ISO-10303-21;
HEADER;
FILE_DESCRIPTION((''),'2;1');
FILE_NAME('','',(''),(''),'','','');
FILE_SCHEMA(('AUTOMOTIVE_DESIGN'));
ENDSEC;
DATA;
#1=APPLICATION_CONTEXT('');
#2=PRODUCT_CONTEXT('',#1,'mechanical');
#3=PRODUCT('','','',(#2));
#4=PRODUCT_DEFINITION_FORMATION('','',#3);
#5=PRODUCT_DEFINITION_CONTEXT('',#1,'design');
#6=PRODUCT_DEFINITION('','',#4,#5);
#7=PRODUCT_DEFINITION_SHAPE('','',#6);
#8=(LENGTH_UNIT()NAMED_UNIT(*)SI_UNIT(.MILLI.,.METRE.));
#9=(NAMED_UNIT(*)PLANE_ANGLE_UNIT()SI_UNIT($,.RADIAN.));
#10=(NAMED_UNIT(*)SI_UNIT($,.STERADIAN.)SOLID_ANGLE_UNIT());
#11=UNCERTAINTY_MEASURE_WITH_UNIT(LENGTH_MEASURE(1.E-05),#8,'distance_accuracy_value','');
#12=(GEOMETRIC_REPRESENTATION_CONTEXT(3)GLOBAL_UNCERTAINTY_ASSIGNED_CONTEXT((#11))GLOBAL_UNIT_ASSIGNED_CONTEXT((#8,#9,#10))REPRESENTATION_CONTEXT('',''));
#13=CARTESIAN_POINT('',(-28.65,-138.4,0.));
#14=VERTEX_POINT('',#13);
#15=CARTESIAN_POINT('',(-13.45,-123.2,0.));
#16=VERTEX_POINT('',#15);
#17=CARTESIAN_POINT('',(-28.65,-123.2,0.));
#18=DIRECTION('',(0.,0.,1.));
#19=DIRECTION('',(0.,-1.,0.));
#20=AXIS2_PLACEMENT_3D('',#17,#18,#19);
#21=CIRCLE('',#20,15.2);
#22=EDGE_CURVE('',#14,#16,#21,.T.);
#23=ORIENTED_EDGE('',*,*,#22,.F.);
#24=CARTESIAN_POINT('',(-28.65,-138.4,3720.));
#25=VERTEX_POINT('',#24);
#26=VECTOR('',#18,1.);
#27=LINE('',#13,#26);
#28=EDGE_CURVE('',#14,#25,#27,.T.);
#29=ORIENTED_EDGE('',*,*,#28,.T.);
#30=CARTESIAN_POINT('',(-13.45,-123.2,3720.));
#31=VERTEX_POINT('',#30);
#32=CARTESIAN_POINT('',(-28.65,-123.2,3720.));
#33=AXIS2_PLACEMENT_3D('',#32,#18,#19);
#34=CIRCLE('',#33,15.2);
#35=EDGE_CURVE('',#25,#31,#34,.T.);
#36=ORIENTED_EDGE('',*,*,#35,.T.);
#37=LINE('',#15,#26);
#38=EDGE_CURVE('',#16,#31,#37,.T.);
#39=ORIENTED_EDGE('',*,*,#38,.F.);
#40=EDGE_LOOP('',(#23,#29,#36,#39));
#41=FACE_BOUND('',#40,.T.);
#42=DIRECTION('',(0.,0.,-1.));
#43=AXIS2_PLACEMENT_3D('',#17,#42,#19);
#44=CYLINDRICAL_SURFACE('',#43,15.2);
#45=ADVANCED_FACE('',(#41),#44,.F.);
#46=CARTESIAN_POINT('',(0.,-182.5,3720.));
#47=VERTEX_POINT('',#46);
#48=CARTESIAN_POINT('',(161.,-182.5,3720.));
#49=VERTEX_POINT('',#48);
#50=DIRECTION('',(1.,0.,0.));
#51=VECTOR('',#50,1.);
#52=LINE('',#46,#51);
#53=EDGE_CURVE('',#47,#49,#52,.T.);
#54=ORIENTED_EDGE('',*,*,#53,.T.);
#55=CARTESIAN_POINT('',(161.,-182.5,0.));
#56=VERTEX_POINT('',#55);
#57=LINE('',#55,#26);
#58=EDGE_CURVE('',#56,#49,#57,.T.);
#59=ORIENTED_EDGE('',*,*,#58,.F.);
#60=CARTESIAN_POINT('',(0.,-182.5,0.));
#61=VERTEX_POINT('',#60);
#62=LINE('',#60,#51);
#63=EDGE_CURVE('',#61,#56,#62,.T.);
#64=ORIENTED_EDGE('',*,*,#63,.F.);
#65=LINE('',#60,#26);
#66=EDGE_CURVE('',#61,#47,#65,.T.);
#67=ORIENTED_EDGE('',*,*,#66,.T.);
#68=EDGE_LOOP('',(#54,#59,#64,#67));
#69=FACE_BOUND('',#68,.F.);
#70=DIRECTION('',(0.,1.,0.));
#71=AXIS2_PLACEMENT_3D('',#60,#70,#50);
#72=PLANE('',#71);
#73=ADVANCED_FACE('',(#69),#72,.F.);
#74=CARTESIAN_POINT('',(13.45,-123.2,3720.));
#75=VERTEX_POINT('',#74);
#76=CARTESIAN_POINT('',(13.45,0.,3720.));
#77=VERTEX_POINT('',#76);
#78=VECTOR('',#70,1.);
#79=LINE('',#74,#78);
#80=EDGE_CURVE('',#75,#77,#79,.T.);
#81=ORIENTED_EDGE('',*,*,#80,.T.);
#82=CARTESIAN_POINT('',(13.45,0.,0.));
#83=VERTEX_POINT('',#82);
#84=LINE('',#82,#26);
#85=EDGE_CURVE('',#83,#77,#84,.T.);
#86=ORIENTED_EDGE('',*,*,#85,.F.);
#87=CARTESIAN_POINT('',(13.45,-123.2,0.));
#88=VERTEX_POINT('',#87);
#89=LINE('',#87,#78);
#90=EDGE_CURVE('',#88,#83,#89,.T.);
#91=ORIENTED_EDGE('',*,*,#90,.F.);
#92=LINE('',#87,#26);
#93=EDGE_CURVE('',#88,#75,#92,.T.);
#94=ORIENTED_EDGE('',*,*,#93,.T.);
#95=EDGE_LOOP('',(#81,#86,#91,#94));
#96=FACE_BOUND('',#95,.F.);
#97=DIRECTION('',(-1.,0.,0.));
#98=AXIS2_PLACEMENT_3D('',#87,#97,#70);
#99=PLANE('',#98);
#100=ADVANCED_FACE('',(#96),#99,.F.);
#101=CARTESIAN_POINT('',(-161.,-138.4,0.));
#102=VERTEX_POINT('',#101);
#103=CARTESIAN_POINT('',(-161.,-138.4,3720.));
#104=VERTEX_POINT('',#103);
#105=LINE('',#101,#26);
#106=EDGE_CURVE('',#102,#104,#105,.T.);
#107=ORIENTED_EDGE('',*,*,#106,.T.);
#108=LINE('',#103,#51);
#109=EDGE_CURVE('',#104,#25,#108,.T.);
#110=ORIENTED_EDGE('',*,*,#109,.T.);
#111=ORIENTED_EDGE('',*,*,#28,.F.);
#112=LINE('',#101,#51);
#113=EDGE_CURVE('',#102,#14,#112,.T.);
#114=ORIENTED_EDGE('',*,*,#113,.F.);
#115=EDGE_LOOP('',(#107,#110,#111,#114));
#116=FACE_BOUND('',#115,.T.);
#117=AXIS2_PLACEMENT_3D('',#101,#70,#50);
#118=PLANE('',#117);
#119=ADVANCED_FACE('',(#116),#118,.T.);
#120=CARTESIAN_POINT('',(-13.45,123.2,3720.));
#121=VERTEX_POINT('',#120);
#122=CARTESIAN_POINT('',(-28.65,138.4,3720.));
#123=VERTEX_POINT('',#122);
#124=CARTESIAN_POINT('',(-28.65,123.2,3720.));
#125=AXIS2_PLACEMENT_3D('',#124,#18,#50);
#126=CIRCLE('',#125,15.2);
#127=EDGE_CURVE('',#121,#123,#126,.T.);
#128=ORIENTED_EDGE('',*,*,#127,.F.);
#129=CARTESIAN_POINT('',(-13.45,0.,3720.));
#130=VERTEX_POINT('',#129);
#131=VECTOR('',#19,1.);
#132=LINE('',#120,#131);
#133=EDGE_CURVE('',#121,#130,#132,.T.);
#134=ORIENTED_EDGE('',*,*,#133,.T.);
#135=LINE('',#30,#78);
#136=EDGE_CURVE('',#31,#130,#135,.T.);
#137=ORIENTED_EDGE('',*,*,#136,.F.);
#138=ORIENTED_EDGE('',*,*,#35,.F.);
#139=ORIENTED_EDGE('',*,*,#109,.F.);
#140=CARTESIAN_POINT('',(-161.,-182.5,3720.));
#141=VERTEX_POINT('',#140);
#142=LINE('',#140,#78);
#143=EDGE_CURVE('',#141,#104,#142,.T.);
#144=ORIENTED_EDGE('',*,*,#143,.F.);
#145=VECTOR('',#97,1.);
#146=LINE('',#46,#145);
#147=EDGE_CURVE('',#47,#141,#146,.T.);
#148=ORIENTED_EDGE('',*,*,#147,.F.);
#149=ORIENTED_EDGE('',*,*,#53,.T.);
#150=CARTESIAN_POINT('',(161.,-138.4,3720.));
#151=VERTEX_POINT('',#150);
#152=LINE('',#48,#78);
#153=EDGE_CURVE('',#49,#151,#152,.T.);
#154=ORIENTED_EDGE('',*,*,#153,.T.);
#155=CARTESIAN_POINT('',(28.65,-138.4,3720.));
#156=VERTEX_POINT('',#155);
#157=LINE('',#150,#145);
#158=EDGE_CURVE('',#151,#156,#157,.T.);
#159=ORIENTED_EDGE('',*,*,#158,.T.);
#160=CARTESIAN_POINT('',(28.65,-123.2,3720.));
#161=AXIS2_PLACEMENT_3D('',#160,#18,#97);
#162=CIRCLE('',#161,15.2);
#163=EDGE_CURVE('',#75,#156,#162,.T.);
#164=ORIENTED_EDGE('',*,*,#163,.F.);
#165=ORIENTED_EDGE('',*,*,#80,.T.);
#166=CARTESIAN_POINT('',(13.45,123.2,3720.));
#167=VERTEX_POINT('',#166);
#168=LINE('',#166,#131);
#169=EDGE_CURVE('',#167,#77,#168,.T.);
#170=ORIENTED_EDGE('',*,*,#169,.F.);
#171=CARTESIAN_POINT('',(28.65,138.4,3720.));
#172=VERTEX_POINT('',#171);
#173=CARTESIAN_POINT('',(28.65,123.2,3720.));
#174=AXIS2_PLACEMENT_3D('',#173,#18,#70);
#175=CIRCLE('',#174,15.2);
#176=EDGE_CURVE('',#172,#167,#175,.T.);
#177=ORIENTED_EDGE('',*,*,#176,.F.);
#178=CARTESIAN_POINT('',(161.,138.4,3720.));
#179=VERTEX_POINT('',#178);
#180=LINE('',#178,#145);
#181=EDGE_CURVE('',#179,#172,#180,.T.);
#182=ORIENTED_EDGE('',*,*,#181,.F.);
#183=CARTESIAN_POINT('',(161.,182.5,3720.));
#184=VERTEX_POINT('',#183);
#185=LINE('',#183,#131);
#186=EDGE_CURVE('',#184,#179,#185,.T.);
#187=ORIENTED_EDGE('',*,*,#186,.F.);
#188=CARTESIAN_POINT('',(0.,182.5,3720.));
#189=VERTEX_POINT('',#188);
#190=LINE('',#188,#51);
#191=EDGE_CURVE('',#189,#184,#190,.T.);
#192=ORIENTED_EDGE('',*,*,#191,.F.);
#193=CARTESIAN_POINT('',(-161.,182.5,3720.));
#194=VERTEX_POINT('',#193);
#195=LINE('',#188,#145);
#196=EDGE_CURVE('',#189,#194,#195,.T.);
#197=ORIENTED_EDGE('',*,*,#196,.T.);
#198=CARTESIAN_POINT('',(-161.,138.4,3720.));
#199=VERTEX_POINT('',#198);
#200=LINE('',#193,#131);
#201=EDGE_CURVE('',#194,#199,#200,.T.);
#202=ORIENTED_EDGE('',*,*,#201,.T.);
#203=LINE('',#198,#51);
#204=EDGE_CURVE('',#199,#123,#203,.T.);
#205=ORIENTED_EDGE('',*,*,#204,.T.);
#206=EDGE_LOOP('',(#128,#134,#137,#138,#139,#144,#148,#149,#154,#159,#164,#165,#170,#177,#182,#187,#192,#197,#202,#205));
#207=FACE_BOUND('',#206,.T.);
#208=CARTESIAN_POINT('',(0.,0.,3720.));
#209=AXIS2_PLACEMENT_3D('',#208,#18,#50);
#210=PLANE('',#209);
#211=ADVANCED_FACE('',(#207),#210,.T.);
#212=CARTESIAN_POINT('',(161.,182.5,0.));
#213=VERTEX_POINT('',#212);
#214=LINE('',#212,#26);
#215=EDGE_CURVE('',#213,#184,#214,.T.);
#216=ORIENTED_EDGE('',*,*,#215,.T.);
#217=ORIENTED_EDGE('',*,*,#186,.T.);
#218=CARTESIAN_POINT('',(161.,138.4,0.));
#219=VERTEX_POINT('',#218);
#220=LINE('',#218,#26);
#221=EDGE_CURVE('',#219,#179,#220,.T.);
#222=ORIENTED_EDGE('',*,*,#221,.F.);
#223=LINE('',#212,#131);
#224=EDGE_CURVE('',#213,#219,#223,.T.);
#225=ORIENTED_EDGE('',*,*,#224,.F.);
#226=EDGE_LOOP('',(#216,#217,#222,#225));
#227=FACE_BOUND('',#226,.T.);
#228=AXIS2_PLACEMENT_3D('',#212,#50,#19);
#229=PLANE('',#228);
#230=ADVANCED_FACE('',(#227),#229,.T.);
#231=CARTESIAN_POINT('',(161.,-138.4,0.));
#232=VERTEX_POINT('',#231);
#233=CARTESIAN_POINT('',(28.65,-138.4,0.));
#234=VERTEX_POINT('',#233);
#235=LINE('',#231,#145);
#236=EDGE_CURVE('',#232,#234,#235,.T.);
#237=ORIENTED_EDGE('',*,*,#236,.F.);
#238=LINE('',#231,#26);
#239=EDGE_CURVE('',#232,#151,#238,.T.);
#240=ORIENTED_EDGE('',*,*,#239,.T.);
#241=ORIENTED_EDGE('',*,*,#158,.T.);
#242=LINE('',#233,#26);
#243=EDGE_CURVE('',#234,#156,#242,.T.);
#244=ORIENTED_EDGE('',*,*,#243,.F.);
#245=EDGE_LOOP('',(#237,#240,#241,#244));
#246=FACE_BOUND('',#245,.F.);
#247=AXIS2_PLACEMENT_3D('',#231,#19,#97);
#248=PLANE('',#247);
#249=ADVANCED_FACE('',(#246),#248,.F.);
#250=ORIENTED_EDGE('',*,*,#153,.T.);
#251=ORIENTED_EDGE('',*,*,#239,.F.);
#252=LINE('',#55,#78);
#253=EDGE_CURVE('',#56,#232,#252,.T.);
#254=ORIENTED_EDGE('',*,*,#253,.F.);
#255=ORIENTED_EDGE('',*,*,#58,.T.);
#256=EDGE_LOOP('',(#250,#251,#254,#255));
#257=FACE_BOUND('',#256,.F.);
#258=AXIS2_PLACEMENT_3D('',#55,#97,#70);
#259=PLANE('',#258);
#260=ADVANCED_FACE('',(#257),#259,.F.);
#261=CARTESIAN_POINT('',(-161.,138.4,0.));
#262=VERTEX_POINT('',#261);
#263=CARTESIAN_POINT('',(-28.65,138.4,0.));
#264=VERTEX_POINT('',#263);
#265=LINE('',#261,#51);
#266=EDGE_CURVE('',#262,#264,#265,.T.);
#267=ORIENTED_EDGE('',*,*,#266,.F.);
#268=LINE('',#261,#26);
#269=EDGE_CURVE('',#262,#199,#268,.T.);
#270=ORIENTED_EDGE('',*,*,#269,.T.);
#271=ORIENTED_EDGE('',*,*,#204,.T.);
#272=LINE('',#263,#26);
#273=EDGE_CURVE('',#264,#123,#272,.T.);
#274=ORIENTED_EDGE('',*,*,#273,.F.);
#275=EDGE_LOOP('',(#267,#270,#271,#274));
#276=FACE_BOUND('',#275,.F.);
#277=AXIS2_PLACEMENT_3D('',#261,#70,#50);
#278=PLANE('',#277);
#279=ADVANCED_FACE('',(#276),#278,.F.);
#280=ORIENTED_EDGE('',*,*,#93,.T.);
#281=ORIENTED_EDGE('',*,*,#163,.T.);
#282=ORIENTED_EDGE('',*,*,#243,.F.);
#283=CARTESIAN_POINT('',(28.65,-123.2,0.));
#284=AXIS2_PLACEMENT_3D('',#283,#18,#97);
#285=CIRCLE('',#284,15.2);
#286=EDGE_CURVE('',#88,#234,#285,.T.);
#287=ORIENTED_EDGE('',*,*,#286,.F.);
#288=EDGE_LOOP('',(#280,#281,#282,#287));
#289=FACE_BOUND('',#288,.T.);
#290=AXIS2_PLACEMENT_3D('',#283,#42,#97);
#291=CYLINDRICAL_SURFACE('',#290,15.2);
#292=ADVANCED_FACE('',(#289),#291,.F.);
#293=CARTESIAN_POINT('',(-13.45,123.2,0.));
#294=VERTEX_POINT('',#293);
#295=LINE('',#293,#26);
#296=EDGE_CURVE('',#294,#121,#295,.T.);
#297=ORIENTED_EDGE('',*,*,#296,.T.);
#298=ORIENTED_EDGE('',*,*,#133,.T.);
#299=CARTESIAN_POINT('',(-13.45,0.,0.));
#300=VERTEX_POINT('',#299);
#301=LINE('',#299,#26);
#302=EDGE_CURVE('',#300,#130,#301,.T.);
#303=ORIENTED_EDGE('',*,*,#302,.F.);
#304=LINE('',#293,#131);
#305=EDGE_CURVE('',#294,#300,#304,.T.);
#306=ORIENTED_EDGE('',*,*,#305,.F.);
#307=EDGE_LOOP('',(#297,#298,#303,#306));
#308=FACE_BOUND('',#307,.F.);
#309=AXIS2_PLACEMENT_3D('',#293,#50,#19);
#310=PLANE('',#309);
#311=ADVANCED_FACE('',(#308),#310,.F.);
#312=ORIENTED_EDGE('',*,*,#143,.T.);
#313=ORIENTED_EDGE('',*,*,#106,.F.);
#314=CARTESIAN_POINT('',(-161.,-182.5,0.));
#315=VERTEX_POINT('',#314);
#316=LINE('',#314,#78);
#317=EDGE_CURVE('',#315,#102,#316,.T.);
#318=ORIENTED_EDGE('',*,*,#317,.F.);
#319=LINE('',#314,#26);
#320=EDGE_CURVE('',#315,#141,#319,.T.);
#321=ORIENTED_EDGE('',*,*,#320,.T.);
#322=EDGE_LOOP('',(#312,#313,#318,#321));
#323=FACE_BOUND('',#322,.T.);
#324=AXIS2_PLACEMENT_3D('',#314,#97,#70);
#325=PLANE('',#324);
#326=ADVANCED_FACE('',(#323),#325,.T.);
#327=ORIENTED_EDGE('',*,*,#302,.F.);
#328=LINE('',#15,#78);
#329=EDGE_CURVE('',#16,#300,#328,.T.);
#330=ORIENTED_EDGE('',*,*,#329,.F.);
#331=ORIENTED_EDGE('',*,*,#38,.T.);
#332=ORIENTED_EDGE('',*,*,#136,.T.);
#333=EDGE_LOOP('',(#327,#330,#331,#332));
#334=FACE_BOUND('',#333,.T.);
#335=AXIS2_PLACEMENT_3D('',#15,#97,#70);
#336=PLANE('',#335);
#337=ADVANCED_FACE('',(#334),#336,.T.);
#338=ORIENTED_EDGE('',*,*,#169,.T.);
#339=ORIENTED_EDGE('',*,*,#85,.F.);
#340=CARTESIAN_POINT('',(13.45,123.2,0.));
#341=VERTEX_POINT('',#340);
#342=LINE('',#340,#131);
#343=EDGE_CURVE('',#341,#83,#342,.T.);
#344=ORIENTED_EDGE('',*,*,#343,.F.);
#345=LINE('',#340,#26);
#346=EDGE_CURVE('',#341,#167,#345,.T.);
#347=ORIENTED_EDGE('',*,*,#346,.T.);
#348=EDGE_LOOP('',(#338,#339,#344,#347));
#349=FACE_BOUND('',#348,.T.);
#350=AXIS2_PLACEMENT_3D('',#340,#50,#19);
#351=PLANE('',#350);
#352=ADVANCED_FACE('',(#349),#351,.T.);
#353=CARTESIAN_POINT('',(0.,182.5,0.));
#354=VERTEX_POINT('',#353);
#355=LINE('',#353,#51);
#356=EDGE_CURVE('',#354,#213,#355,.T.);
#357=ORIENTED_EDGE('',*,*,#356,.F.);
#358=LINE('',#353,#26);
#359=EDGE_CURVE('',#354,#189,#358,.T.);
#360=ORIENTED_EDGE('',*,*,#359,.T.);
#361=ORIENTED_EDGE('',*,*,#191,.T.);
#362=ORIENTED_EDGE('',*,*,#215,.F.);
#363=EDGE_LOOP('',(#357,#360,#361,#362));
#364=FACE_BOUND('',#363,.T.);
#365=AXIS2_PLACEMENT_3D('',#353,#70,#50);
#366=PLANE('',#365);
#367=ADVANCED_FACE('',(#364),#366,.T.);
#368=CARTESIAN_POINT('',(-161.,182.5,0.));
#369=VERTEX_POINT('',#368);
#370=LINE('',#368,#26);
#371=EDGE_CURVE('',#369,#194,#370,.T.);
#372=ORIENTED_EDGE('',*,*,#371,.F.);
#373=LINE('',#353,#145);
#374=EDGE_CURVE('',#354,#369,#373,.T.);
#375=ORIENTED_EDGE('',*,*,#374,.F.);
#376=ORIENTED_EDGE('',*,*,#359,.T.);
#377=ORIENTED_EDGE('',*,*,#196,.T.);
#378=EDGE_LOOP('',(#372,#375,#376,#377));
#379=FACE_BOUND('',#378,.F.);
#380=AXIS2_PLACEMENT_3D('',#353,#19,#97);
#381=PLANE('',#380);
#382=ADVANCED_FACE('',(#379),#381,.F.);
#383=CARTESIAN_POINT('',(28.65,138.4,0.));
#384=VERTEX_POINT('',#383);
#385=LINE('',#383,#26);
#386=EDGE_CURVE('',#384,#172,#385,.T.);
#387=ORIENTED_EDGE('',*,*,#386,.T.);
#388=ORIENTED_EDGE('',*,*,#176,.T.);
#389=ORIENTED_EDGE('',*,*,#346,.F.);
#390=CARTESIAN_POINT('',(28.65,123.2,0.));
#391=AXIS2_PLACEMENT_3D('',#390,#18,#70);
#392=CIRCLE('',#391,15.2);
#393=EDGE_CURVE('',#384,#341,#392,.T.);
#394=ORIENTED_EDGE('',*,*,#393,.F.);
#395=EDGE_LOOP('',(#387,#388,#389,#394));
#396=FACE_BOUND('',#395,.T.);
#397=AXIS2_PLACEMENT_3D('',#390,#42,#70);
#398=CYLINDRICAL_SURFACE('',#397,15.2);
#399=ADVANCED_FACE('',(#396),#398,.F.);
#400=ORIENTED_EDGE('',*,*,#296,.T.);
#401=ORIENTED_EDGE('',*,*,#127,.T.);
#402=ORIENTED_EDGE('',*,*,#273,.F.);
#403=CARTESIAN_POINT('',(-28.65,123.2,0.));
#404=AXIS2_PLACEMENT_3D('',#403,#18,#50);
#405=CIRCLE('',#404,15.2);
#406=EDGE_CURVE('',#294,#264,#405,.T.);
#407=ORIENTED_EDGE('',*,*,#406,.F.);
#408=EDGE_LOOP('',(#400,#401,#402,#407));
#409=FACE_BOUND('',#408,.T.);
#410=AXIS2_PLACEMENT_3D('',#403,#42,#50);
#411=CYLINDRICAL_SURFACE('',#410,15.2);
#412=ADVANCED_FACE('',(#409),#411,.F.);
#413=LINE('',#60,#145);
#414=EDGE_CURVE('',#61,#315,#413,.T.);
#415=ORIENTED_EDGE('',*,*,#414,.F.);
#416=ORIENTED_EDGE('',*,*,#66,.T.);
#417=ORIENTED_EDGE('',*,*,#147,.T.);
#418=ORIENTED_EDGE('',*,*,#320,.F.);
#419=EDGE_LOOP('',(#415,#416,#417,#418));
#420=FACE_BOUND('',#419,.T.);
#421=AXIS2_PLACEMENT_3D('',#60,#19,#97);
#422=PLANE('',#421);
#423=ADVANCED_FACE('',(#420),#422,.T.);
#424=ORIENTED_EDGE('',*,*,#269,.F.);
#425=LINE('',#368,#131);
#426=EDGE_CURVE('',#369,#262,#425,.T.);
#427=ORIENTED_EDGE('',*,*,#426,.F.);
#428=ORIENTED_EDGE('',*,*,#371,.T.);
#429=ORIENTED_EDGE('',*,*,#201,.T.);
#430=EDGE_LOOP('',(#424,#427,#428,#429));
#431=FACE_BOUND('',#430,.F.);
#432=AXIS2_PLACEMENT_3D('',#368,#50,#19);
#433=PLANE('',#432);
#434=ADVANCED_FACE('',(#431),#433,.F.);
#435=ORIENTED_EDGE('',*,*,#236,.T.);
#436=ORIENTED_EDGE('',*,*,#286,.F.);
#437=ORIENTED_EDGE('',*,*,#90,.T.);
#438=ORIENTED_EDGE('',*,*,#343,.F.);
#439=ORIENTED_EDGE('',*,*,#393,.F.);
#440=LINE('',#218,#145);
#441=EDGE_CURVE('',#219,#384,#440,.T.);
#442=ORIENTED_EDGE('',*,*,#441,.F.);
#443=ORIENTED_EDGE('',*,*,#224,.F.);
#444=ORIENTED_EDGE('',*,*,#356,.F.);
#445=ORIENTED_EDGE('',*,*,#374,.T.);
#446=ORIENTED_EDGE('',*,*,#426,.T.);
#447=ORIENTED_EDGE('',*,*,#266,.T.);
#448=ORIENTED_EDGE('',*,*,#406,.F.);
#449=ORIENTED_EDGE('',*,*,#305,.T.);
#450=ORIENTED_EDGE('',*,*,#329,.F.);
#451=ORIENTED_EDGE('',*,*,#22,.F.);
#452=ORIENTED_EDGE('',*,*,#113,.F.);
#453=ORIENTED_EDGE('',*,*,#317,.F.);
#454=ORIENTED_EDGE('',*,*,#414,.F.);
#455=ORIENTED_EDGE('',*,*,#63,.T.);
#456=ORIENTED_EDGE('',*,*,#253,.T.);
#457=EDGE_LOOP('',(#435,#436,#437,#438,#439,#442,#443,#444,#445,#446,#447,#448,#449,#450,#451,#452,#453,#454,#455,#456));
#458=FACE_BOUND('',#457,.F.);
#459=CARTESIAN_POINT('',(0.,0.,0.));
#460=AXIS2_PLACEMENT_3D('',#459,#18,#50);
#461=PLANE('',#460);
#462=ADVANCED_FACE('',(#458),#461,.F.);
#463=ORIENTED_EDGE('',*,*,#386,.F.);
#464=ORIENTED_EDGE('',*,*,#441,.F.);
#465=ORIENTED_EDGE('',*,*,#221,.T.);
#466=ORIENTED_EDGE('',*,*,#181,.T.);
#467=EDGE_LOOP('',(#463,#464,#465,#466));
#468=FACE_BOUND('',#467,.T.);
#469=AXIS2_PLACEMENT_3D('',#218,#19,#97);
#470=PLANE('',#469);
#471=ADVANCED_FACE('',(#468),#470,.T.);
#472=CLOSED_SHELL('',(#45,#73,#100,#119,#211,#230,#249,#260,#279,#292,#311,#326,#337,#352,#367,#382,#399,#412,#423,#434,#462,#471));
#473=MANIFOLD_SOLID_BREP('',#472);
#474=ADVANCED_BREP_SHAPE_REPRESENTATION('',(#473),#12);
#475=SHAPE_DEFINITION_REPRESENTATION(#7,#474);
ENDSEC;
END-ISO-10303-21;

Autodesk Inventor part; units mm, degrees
ref_plane "YZ Plane" through (0, 0, 0) normal (1, 0, 0) x (0, 1, 0)
ref_plane "Start plane" through (0, 0, 0) normal (0, 0, 1) x (1, 0, 0)
ref_plane "End plane" through (0, 0, 3720) normal (0, 0, 1) x (1, 0, 0)
sketch "Sketch" plane through (0, 0, 0) normal (0, 0, 1) x (1, 0, 0)
  line L0 (-161, -182.5) -> (-161, -138.4)
  line L1 (-161, -138.4) -> (-28.65, -138.4)
  line L2 (-13.45, -123.2) -> (-13.45, 0)
  line L3 (-13.45, 0) -> (0, 0) construction
  line L4 (0, 0) -> (0, -182.5) construction
  line L5 (0, -182.5) -> (-161, -182.5)
  line L6 (-60, 0) -> (80, 0) construction
  line L7 (0, -60) -> (0, 80) construction
  line L8 (161, -182.5) -> (161, -138.4)
  line L9 (161, -138.4) -> (28.65, -138.4)
  line L10 (13.45, -123.2) -> (13.45, 0)
  line L11 (13.45, 0) -> (0, 0) construction
  line L12 (0, -182.5) -> (161, -182.5)
  line L13 (-161, 182.5) -> (-161, 138.4)
  line L14 (-161, 138.4) -> (-28.65, 138.4)
  line L15 (-13.45, 123.2) -> (-13.45, 0)
  line L16 (0, 182.5) -> (-161, 182.5)
  line L17 (161, 182.5) -> (161, 138.4)
  line L18 (161, 138.4) -> (28.65, 138.4)
  line L19 (0, 182.5) -> (161, 182.5)
  line L20 (13.45, 123.2) -> (13.45, 0)
  arc A0 (-13.45, 123.2) -> (-28.65, 138.4) centre (-28.65, 123.2) ccw
  arc A1 (28.65, 138.4) -> (13.45, 123.2) centre (28.65, 123.2) ccw
  arc A2 (13.45, -123.2) -> (28.65, -138.4) centre (28.65, -123.2) ccw
  arc A3 (-28.65, -138.4) -> (-13.45, -123.2) centre (-28.65, -123.2) ccw
  line L21 (0, 108) -> (0, -88) construction
  line L22 (-88, 0) -> (108, 0) construction
  point P0 (-13.45, -138.4)
  point P1 (13.45, -138.4)
  point P2 (-13.45, 138.4)
  point P3 (13.45, 138.4)
  dimension "d1" = 182.5
  dimension "d2" = 44.1
  dimension "d3" = 161
  dimension "d4" = 13.45
  dimension "d10" = 15.2
extrude "Body" add sketch "Sketch" along normal up to surface (3720 mm away) from surface at 0
sketch "Sketch4" plane through (0, 0, 0) normal (0, 0, 1) x (1, 0, 0)
  line L0 (0, 0) -> (10, 0)
ref_plane "Work Plane3" through (0, 0, 0) normal (0, -1, 0) x (1, 0, 0)
sketch "Sketch5" plane through (0, 0, 0) normal (0, -1, 0) x (1, 0, 0)
  line L0 (-2, 0) -> (12, 0) projected
  line L1 (-2, 3720) -> (12, 3720) projected
  dimension "d14" = 3720
equation "\"d1\" = 0.5 * G_H"
equation "\"d2\" = G_T1"
equation "\"d3\" = 0.5 * G_W"
equation "\"d4\" = 0.5 * G_T"
equation "\"d10\" = G_IR"
equation "\"d5\" = G_L"
equation "\"G_W\" = 322"
equation "\"G_H\" = 365"
equation "\"G_T\" = 26.9"
equation "\"G_T1\" = 44.1"
equation "\"G_IR\" = 15.2"
equation "\"G_L\" = d14"
equation "\"G_OFFSET_START\" = 0"
equation "\"G_OFFSET_END\" = 0"
properties part number "AS 3679 - 310 UC - 283 - 3720" material "Steel, Mild"
